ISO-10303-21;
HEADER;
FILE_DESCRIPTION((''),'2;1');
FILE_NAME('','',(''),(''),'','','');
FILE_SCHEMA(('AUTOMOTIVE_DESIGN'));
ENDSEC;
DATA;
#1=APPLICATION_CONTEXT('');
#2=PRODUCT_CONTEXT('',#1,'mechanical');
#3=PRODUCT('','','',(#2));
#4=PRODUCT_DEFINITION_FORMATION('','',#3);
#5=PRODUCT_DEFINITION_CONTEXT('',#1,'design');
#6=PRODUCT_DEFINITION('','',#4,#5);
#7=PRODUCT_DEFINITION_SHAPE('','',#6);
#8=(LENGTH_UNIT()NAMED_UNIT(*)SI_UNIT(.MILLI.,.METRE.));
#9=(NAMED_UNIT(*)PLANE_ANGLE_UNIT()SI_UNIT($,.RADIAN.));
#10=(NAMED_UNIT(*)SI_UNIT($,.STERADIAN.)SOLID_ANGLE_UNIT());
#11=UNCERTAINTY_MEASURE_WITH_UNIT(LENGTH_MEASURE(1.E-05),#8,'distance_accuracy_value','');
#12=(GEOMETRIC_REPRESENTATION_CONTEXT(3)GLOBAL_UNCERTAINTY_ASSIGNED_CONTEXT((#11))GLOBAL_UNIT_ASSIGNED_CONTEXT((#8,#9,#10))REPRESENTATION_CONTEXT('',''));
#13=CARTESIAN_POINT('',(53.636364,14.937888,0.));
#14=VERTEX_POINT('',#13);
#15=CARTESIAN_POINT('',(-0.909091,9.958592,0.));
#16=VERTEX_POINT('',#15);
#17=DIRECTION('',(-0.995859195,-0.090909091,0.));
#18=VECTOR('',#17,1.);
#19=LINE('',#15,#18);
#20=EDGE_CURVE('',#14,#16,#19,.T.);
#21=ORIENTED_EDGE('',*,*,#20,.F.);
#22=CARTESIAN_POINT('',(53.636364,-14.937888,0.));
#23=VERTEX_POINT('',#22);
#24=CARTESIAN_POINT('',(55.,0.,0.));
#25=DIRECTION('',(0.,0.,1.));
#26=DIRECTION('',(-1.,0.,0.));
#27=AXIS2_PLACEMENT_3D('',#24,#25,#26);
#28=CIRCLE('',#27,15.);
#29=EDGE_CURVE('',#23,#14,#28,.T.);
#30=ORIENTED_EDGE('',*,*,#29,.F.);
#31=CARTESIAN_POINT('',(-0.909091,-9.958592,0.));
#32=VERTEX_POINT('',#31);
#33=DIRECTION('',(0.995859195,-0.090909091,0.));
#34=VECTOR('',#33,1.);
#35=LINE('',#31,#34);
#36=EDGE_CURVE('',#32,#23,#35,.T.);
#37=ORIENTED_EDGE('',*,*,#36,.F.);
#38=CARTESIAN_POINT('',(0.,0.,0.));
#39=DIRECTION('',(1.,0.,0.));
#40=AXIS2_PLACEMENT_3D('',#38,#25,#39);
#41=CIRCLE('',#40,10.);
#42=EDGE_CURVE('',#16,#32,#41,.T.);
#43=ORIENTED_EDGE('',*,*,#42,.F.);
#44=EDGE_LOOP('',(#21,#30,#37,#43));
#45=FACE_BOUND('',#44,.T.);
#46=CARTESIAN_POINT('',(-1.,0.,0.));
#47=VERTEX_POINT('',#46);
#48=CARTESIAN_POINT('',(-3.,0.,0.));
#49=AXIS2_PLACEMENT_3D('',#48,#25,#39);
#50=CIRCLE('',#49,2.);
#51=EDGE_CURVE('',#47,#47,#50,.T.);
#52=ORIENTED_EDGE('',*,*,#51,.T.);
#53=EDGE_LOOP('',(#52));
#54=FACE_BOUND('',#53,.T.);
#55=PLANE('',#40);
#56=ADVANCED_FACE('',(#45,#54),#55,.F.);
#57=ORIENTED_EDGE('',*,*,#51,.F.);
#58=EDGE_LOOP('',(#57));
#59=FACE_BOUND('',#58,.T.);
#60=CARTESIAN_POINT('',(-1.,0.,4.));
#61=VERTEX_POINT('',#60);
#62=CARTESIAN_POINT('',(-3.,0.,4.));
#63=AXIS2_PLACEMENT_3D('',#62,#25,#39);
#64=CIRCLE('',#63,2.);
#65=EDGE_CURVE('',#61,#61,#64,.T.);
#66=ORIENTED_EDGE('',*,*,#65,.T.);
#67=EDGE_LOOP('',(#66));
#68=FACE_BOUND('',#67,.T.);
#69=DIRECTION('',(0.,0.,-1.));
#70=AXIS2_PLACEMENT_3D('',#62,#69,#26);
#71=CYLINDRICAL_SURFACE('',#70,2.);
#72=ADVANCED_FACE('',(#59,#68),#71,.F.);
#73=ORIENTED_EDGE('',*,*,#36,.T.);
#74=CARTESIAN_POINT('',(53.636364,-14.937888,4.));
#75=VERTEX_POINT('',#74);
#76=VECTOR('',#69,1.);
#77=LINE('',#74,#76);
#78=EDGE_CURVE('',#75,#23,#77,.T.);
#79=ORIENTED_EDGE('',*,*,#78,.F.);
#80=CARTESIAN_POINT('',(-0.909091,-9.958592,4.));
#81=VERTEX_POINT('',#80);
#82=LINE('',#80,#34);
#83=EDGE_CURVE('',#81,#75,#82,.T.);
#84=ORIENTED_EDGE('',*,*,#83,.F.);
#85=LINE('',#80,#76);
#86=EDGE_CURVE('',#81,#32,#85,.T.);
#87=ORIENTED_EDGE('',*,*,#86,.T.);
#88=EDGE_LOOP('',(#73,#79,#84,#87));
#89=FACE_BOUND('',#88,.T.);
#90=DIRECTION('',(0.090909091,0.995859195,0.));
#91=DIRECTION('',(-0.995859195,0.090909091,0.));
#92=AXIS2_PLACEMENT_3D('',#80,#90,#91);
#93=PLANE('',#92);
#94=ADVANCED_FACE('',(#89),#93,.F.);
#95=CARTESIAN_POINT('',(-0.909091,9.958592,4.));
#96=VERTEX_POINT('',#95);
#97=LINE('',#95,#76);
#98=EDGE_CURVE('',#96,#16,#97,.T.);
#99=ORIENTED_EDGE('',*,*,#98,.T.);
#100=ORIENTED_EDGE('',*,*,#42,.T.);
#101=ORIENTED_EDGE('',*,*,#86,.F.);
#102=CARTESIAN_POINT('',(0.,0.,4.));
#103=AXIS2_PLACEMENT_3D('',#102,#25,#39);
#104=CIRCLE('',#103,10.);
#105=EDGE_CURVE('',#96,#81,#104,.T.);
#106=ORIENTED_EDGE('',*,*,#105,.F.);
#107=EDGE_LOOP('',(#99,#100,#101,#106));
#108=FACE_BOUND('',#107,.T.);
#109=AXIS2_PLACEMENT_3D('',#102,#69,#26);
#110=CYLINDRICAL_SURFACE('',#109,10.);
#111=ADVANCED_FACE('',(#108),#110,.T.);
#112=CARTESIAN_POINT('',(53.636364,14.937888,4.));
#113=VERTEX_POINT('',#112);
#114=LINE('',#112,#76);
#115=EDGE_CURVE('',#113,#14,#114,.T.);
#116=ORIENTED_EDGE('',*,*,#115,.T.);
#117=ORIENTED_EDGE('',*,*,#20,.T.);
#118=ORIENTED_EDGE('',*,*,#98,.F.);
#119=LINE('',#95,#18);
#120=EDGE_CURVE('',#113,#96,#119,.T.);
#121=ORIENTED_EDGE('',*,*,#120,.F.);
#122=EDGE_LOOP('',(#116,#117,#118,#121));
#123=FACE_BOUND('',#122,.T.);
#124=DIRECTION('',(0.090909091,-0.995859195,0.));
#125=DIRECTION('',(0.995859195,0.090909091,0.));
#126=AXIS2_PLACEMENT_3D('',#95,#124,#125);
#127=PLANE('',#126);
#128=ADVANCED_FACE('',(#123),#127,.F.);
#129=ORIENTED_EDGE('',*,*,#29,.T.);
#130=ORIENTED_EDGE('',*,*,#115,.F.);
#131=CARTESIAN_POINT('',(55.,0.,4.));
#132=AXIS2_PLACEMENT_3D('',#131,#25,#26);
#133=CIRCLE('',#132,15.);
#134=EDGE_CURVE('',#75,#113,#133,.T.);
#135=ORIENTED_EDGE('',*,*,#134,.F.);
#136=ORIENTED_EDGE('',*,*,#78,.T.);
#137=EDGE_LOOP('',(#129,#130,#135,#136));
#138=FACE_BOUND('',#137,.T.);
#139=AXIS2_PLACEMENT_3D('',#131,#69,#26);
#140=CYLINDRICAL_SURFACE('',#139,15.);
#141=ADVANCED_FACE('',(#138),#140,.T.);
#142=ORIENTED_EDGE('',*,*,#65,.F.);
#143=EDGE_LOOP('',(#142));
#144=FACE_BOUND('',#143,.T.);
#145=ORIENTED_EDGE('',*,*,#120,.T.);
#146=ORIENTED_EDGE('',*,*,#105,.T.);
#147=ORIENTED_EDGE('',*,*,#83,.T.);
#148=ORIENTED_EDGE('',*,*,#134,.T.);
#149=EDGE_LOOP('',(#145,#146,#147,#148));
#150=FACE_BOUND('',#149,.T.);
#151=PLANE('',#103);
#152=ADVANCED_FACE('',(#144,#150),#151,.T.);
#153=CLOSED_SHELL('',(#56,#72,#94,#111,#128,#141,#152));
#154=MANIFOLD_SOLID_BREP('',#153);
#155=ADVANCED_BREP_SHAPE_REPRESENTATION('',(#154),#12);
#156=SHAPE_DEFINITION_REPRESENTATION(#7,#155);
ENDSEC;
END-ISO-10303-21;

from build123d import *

# Parameters (mm, degrees)
SKETCH1_R           = 2
BOSS_EXTRUDE1_DEPTH = 4


with BuildPart() as part:
    # Sketch1 → Boss-Extrude1 (new body)
    with BuildSketch(Plane.XY):
        with BuildLine():
            Line((-0.909090909, 9.958591955), (53.636363636, 14.937887932))
            ThreePointArc((53.636363636, 14.937887932), (70, 0), (53.636363636, -14.937887932))
            Line((53.636363636, -14.937887932), (-0.909090909, -9.958591955))
            ThreePointArc((-0.909090909, -9.958591955), (-10, 0), (-0.909090909, 9.958591955))
        make_face()
        with Locations((-3, 0)):
            Circle(SKETCH1_R, mode=Mode.SUBTRACT)
    extrude(amount=BOSS_EXTRUDE1_DEPTH)


solid = part.part
